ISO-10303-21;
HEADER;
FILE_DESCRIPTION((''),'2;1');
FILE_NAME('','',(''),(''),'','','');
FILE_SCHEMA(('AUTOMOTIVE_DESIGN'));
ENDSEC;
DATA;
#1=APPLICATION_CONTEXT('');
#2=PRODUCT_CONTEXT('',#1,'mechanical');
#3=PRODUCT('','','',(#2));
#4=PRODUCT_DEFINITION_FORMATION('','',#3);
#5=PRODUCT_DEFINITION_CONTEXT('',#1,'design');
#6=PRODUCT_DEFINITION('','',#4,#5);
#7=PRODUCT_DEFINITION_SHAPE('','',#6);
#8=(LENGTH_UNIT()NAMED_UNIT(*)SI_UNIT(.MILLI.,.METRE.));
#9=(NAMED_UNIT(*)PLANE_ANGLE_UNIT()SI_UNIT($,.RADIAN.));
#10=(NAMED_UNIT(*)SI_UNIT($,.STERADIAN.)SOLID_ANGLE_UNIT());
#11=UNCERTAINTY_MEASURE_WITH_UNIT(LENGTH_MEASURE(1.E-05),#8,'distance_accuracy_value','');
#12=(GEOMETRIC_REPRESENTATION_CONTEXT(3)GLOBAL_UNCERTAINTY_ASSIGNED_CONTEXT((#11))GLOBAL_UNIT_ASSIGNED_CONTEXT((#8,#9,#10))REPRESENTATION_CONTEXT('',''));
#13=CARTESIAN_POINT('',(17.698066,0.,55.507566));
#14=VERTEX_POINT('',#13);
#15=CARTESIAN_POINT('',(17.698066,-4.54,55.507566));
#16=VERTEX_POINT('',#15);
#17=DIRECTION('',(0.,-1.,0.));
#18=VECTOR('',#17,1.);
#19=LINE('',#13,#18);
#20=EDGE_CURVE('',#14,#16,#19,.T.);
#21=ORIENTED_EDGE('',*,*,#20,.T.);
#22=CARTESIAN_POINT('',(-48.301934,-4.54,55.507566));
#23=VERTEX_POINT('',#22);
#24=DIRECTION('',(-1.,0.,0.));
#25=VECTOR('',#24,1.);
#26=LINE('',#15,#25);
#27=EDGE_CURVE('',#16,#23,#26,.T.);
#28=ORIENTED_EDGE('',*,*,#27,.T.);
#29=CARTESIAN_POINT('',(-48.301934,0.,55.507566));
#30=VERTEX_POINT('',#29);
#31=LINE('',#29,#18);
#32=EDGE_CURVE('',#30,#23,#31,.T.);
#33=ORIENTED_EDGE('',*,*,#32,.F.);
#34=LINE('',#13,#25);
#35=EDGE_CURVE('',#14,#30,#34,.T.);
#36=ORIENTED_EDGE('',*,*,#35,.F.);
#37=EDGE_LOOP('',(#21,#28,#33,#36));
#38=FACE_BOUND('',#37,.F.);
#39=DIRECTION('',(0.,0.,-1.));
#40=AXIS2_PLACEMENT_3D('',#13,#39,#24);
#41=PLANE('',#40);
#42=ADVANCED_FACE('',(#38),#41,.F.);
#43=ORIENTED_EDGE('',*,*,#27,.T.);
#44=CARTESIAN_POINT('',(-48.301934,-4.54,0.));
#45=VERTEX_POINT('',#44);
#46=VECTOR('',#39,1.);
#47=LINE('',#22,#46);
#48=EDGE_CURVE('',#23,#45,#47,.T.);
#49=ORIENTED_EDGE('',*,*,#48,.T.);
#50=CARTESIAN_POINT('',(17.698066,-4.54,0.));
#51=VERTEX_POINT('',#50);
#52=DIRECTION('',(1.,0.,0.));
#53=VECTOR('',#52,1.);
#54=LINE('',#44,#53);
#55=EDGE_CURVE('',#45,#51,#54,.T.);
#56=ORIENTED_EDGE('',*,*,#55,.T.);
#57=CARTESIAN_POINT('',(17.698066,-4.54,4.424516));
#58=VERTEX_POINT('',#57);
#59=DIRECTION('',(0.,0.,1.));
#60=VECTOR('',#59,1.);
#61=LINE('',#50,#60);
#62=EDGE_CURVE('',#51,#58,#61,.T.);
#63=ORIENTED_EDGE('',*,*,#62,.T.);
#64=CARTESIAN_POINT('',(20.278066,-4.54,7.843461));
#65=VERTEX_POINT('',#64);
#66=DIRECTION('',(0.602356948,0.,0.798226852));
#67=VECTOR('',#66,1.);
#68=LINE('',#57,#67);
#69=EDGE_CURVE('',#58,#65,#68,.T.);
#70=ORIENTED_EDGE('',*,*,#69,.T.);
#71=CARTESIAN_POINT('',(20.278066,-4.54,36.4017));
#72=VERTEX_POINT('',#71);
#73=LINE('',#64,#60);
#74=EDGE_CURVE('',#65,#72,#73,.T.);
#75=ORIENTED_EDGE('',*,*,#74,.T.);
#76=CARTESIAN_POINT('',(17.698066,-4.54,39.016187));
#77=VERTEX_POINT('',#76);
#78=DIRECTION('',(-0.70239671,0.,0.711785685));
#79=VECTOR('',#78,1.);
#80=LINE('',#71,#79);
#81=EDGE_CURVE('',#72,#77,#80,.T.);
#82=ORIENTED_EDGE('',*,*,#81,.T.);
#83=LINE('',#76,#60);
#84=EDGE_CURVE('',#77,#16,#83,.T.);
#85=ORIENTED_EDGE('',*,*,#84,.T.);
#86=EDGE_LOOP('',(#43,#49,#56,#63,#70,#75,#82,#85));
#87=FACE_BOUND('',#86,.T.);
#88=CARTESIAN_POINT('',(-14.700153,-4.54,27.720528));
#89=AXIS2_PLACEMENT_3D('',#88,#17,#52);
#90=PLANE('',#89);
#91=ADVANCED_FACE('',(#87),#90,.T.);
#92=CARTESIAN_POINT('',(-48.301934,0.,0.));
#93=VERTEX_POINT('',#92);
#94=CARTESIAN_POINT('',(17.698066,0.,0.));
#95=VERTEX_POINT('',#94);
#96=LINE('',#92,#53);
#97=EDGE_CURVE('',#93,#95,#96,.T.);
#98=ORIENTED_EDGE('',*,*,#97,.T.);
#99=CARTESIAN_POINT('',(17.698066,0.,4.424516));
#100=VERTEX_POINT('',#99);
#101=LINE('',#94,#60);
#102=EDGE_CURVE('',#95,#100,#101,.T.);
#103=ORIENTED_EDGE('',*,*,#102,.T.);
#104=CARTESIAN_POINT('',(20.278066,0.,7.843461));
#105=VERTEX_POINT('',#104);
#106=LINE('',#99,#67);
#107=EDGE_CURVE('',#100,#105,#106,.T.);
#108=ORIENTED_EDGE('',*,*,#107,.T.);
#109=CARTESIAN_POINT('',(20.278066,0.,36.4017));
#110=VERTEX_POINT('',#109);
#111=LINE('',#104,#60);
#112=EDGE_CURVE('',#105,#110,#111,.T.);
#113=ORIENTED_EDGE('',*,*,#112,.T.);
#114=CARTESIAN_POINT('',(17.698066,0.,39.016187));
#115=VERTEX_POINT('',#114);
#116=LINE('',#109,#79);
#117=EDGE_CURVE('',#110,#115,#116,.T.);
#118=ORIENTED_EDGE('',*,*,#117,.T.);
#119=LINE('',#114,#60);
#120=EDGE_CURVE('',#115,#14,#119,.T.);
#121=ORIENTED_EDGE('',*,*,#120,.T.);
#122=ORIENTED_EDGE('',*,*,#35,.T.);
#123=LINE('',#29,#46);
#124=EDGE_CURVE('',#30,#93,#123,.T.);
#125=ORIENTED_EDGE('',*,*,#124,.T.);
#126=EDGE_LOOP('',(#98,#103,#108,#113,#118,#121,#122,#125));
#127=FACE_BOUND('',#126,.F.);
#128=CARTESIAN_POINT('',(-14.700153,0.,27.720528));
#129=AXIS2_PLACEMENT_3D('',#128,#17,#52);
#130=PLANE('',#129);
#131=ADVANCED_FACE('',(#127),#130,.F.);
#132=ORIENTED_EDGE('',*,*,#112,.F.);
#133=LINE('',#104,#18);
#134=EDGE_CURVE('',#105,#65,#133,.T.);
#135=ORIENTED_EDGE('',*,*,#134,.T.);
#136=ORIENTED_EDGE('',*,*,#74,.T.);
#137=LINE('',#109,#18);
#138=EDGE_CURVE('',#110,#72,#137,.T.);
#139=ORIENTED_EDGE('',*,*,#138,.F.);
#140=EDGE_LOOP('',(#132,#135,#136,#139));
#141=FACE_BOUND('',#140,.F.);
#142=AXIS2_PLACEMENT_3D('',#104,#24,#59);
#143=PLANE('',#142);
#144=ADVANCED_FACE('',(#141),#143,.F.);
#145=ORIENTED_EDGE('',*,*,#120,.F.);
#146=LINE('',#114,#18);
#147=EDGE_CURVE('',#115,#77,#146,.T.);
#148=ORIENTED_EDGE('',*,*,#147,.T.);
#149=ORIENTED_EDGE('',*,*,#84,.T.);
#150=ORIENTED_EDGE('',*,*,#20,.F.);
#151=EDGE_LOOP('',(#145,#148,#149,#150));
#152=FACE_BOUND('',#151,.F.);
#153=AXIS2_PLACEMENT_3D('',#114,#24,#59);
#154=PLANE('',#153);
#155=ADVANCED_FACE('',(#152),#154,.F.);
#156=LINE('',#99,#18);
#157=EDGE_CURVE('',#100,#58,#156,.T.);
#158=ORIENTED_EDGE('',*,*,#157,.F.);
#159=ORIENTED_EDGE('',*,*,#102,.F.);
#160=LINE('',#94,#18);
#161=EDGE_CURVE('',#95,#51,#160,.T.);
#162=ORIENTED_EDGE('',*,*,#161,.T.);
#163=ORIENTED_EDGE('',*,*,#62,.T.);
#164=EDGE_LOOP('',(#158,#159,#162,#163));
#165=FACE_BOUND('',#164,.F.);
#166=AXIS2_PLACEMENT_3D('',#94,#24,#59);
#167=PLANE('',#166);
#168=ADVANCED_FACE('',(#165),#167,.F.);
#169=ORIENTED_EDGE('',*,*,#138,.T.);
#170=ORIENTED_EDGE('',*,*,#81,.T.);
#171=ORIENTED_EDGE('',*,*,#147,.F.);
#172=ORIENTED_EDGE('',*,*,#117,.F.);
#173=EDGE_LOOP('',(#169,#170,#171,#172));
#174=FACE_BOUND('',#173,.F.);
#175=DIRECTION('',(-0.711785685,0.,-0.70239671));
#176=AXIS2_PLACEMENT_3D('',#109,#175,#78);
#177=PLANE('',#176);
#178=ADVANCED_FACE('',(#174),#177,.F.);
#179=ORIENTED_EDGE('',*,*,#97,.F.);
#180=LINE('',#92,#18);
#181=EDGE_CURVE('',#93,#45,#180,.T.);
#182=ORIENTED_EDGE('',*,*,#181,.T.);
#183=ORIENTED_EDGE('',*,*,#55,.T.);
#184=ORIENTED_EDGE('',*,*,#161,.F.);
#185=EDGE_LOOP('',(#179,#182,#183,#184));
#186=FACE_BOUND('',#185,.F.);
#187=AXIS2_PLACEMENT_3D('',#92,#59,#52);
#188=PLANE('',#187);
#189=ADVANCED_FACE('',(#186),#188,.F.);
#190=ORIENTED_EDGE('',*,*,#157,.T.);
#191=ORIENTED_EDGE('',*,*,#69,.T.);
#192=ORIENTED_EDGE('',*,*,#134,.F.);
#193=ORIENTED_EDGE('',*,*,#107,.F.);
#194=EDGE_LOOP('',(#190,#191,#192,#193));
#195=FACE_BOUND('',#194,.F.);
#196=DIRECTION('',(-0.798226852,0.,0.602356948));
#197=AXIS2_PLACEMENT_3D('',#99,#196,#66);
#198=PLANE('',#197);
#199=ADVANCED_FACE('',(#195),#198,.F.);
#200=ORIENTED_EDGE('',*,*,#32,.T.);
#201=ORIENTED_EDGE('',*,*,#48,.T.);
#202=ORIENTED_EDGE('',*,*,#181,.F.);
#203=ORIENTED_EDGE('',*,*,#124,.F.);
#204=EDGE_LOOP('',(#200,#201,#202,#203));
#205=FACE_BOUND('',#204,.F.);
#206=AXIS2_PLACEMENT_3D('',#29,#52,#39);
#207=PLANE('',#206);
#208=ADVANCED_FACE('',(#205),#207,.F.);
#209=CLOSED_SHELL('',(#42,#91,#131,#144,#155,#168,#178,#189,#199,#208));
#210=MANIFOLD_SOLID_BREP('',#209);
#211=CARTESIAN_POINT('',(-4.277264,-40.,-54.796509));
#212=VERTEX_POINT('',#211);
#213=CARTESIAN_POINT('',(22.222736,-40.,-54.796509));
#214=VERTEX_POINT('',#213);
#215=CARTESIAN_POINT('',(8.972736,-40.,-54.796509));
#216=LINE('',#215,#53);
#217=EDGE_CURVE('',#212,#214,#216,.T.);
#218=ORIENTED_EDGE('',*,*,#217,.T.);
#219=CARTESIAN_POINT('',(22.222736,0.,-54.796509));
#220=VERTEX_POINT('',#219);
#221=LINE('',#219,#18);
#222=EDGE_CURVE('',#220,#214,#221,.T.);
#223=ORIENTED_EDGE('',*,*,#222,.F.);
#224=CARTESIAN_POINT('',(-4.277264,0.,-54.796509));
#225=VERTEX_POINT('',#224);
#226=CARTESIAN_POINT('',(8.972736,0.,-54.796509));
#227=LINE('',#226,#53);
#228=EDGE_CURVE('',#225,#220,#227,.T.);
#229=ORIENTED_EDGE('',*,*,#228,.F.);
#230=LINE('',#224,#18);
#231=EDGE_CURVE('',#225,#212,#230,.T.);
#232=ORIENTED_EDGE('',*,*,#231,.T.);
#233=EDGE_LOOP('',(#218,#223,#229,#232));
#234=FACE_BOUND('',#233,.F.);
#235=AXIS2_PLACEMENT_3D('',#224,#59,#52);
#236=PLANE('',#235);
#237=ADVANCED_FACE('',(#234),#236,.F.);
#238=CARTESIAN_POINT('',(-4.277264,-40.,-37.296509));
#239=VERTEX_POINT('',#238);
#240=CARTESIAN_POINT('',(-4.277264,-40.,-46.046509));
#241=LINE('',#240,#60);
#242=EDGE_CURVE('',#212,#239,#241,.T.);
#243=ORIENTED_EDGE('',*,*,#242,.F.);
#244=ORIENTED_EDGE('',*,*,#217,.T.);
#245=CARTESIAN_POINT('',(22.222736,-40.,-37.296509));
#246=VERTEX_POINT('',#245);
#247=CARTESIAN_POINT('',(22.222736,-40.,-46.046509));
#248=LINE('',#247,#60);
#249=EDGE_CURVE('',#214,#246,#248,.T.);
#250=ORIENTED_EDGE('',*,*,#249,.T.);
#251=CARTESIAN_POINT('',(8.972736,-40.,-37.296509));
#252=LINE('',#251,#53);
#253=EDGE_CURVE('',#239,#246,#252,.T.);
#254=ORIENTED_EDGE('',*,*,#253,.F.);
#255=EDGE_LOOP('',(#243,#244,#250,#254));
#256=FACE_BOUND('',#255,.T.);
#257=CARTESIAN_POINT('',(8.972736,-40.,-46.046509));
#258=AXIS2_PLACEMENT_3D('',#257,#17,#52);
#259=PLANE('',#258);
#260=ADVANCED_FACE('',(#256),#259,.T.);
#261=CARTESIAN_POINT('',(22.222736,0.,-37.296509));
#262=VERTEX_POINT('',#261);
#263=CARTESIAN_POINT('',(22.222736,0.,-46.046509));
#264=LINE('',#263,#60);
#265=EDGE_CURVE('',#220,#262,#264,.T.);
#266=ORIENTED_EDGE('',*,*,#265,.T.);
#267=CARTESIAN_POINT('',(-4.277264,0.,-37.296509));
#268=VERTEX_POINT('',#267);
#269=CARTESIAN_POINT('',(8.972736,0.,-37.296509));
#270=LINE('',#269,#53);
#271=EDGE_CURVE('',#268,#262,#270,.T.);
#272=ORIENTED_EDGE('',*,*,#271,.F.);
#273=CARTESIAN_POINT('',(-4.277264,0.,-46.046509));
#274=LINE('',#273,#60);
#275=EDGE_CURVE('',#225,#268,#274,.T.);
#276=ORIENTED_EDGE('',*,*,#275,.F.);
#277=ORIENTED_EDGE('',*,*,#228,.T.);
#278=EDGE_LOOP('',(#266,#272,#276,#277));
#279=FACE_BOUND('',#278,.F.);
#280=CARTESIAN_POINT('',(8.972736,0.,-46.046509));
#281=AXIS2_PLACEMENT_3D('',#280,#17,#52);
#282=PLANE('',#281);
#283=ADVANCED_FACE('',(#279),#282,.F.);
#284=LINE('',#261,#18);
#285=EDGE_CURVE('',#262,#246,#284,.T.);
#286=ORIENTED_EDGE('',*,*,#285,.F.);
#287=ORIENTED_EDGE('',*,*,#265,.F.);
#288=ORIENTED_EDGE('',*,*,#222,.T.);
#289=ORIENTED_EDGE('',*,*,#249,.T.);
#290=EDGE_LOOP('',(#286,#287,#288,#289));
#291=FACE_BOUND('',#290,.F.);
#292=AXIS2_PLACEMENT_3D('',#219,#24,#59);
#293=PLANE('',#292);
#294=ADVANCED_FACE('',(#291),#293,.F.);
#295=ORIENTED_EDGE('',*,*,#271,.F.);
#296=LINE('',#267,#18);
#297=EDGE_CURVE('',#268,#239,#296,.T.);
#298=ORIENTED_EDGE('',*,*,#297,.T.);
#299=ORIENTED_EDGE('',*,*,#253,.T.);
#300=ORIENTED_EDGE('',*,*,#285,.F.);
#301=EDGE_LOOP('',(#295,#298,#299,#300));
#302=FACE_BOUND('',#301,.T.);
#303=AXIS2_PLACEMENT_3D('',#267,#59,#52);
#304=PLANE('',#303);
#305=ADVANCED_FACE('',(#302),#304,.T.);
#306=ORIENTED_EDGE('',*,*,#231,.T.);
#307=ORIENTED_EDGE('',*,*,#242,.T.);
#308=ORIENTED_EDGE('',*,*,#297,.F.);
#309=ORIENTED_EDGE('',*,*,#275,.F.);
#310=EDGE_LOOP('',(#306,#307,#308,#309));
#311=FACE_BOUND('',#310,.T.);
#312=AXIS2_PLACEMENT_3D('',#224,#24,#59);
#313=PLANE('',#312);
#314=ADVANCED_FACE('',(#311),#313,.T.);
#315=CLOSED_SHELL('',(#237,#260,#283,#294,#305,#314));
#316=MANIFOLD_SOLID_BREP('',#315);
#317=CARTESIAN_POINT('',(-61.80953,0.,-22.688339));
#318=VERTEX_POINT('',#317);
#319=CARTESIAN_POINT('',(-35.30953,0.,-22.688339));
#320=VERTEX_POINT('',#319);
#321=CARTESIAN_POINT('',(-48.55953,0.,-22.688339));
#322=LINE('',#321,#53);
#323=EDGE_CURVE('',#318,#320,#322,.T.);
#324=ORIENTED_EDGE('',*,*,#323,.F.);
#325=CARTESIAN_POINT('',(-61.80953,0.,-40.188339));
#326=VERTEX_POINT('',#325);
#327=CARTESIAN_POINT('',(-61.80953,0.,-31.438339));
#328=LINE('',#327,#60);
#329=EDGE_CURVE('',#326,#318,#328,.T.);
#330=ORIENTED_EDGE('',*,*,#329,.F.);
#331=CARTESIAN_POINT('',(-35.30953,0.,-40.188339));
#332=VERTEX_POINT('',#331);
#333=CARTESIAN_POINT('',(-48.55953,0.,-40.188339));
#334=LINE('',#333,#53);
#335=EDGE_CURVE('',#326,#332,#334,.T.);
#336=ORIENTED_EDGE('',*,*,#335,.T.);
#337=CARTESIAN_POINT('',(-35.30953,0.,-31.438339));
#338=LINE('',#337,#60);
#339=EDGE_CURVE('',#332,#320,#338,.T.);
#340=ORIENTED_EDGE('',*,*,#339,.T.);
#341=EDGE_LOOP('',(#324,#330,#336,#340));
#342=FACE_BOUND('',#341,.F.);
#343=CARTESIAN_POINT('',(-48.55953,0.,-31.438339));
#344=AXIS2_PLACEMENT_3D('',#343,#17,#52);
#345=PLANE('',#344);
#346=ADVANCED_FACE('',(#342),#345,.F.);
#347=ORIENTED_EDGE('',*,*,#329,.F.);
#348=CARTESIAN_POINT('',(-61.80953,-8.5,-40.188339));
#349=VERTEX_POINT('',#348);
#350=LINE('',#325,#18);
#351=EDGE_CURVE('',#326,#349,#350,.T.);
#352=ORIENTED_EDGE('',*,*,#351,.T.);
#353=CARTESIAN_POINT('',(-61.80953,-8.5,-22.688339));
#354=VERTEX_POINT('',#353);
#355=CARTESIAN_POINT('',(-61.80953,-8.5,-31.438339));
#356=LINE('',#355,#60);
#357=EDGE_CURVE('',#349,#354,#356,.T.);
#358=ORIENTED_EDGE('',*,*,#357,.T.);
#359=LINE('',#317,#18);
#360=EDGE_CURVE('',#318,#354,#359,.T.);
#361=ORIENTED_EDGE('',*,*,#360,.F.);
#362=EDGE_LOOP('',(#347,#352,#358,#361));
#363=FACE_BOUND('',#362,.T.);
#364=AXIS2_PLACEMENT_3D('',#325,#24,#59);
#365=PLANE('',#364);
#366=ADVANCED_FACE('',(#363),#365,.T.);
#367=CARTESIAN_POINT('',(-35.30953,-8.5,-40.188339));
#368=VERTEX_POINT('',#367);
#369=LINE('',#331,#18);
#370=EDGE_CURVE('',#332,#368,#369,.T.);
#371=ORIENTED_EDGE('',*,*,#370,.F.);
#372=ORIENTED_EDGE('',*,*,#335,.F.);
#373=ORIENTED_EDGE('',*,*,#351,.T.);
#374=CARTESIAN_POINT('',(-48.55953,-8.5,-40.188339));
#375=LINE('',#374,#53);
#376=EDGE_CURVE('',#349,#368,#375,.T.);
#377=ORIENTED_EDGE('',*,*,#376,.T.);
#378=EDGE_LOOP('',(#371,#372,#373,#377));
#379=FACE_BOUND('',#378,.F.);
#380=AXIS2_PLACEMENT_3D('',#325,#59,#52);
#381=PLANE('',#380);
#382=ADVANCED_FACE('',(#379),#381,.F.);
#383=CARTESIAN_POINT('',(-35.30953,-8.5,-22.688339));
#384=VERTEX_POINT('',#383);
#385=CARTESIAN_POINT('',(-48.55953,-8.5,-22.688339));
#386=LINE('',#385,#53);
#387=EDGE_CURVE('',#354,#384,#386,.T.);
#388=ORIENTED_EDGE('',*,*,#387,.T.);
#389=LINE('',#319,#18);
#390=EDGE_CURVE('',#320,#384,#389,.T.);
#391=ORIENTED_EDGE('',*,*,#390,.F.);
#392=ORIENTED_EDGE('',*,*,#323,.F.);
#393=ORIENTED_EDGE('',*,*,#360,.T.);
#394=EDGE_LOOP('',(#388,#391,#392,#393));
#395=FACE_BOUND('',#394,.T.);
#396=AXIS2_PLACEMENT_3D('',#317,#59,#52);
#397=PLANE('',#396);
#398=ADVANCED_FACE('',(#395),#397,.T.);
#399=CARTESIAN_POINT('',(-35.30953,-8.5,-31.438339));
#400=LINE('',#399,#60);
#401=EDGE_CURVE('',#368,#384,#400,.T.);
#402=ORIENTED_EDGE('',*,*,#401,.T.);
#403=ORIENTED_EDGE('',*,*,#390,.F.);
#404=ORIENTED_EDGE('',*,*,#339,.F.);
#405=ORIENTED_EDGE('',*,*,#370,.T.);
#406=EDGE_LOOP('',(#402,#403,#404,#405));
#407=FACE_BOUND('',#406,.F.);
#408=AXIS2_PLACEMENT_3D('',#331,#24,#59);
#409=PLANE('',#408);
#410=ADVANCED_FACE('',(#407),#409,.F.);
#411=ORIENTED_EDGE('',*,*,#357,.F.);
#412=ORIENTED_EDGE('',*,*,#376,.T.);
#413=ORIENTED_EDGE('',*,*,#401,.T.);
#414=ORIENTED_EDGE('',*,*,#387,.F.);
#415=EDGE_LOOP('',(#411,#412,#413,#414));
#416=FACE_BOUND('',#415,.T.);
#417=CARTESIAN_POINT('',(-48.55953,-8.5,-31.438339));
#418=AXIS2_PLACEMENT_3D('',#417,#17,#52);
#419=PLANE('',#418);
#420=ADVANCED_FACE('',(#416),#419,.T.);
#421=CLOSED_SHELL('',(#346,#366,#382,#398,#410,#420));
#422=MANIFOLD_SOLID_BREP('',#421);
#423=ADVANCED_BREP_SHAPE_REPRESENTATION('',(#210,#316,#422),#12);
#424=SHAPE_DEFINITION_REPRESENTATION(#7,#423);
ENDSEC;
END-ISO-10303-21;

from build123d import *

# Parameters (mm, degrees)
F1_DEPTH = 4.54
F2_W     = 26.5
F2_H     = 17.5
F3_DEPTH = 40
F4_W     = 26.5
F4_H     = 17.5
F5_DEPTH = 8.5


with BuildPart() as f1:
    # F0 (on Front) → F1 (new body)
    with BuildSketch(Plane.XZ):
        Polygon((-48.301934, 55.507566), (-48.301934, 0), (17.698066, 0), (17.698066, 4.424516), (20.278066, 7.843461), (20.278066, 36.4017), (17.698066, 39.016187), (17.698066, 55.507566), align=None)
    extrude(amount=F1_DEPTH)


with BuildPart() as f3:
    # F2 (on Front) → F3 (new body)
    with BuildSketch(Plane.XZ):
        with Locations((8.972736, -46.046509)):
            Rectangle(F2_W, F2_H)
    extrude(amount=F3_DEPTH)


with BuildPart() as f5:
    # F4 (on Front) → F5 (new body)
    with BuildSketch(Plane.XZ):
        with Locations((-48.55953, -31.438339)):
            Rectangle(F4_W, F4_H)
    extrude(amount=F5_DEPTH)


solid = Compound([f1.part, f3.part, f5.part])
